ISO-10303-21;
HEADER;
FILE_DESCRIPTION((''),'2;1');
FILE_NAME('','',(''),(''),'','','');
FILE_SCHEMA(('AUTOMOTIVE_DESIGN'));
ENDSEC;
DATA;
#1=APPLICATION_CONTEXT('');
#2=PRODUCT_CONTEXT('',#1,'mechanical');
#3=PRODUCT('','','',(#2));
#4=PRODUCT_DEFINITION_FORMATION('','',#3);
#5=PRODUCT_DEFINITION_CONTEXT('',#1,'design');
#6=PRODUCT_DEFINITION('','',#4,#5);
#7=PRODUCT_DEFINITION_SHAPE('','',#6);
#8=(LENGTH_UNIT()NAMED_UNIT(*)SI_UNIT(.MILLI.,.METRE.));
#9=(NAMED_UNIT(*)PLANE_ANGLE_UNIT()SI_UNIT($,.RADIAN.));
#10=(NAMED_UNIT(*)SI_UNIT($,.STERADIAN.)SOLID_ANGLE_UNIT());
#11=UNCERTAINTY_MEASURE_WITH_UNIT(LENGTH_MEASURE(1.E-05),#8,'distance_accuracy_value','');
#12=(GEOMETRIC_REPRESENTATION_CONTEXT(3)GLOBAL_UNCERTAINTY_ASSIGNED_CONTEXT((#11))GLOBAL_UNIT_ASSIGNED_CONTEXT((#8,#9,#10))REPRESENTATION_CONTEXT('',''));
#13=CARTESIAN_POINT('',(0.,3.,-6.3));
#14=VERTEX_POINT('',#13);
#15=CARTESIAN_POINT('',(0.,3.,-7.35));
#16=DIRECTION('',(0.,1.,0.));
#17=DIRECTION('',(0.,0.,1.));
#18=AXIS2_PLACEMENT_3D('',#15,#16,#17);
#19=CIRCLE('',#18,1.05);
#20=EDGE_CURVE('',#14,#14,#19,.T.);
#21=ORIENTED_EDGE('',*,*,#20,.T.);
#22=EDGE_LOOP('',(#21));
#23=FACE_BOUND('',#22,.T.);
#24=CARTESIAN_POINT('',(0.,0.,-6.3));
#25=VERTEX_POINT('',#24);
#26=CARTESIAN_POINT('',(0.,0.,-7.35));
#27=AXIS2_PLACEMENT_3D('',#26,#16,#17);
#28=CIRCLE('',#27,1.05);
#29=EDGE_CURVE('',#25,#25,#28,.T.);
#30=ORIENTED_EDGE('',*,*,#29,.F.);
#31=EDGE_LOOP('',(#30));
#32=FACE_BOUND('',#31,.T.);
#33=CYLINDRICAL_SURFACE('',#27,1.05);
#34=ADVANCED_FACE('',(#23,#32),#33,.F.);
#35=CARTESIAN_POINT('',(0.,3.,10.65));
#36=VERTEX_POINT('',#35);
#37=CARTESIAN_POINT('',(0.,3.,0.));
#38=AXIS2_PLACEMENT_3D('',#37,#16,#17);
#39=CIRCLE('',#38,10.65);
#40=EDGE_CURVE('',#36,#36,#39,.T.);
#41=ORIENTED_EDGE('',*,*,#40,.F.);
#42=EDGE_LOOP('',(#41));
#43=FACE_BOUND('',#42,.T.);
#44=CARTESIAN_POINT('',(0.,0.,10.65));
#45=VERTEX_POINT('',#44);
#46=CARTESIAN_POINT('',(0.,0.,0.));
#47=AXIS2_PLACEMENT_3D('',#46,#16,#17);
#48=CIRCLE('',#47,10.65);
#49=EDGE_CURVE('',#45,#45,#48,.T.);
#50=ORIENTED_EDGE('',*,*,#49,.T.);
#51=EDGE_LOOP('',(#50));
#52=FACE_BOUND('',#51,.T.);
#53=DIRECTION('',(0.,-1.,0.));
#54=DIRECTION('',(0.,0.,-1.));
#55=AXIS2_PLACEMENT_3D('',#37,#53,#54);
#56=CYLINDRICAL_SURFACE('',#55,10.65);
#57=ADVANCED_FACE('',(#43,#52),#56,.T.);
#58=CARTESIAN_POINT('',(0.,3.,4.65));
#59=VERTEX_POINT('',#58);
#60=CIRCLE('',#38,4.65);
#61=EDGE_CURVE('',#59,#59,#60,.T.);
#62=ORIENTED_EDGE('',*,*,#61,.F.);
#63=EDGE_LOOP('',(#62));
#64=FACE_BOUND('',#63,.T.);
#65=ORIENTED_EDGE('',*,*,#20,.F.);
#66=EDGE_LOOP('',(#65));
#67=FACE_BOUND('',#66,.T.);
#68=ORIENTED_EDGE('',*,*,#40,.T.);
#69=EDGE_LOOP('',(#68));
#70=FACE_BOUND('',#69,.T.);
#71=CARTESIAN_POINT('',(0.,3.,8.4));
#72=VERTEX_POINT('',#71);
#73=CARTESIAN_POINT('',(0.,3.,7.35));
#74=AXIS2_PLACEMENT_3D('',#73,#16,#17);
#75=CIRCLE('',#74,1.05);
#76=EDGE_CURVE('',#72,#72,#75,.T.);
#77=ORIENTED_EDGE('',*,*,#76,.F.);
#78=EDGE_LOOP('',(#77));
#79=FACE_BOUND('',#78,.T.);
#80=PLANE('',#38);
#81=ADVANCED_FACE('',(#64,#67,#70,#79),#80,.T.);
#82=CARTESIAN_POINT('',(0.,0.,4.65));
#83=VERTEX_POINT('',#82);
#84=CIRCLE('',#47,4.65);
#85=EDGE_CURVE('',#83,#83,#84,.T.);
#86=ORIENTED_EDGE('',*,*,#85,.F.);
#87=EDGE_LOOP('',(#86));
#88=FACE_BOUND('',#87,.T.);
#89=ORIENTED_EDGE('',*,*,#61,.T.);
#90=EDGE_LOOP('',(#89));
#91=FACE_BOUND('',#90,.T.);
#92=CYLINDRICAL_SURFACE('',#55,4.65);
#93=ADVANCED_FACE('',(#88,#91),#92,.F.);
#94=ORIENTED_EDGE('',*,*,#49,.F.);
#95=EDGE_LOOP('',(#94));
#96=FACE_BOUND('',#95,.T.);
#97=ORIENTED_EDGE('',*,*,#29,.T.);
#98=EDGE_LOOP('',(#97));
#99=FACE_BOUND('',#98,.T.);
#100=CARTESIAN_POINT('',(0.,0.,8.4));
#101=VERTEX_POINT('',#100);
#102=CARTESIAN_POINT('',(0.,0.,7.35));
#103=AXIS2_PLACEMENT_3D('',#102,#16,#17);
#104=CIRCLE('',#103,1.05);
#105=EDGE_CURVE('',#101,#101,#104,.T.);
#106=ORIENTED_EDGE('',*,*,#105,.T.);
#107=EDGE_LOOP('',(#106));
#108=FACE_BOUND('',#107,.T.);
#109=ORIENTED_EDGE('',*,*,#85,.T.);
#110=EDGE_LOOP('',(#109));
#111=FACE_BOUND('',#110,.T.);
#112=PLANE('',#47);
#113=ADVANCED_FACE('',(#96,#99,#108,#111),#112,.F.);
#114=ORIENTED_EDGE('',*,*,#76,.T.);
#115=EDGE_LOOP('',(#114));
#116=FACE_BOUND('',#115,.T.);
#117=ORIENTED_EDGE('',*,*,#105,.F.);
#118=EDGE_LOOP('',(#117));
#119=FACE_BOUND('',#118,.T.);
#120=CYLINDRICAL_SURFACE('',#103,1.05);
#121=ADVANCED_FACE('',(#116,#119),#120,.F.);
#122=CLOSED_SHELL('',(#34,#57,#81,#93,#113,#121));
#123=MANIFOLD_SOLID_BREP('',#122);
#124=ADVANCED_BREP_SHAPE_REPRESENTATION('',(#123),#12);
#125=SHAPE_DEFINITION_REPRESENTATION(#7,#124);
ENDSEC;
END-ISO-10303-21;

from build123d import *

# Parameters (mm, degrees)
SKETCH1_R           = 10.65
SKETCH1_R_2         = 4.65
BOSS_EXTRUDE1_DEPTH = 3
SKETCH2_R           = 1.05
CUT_EXTRUDE1_DEPTH  = 3


with BuildPart() as part:
    # Sketch1 → Boss-Extrude1 (new body)
    with BuildSketch(Plane(origin=(0, 0, 0), x_dir=(1, 0, 0), z_dir=(0, 1, 0))):
        Circle(SKETCH1_R)
        Circle(SKETCH1_R_2, mode=Mode.SUBTRACT)
    extrude(amount=BOSS_EXTRUDE1_DEPTH)

    # Sketch2 → Cut-Extrude1 (cut)
    with BuildSketch(Plane(origin=(0, 3, 0), x_dir=(1, 0, 0), z_dir=(0, 1, 0))):
        with Locations((0, 7.35)):
            Circle(SKETCH2_R)
        with Locations((0, -7.35)):
            Circle(SKETCH2_R)
    extrude(amount=-CUT_EXTRUDE1_DEPTH, mode=Mode.SUBTRACT)


solid = part.part
